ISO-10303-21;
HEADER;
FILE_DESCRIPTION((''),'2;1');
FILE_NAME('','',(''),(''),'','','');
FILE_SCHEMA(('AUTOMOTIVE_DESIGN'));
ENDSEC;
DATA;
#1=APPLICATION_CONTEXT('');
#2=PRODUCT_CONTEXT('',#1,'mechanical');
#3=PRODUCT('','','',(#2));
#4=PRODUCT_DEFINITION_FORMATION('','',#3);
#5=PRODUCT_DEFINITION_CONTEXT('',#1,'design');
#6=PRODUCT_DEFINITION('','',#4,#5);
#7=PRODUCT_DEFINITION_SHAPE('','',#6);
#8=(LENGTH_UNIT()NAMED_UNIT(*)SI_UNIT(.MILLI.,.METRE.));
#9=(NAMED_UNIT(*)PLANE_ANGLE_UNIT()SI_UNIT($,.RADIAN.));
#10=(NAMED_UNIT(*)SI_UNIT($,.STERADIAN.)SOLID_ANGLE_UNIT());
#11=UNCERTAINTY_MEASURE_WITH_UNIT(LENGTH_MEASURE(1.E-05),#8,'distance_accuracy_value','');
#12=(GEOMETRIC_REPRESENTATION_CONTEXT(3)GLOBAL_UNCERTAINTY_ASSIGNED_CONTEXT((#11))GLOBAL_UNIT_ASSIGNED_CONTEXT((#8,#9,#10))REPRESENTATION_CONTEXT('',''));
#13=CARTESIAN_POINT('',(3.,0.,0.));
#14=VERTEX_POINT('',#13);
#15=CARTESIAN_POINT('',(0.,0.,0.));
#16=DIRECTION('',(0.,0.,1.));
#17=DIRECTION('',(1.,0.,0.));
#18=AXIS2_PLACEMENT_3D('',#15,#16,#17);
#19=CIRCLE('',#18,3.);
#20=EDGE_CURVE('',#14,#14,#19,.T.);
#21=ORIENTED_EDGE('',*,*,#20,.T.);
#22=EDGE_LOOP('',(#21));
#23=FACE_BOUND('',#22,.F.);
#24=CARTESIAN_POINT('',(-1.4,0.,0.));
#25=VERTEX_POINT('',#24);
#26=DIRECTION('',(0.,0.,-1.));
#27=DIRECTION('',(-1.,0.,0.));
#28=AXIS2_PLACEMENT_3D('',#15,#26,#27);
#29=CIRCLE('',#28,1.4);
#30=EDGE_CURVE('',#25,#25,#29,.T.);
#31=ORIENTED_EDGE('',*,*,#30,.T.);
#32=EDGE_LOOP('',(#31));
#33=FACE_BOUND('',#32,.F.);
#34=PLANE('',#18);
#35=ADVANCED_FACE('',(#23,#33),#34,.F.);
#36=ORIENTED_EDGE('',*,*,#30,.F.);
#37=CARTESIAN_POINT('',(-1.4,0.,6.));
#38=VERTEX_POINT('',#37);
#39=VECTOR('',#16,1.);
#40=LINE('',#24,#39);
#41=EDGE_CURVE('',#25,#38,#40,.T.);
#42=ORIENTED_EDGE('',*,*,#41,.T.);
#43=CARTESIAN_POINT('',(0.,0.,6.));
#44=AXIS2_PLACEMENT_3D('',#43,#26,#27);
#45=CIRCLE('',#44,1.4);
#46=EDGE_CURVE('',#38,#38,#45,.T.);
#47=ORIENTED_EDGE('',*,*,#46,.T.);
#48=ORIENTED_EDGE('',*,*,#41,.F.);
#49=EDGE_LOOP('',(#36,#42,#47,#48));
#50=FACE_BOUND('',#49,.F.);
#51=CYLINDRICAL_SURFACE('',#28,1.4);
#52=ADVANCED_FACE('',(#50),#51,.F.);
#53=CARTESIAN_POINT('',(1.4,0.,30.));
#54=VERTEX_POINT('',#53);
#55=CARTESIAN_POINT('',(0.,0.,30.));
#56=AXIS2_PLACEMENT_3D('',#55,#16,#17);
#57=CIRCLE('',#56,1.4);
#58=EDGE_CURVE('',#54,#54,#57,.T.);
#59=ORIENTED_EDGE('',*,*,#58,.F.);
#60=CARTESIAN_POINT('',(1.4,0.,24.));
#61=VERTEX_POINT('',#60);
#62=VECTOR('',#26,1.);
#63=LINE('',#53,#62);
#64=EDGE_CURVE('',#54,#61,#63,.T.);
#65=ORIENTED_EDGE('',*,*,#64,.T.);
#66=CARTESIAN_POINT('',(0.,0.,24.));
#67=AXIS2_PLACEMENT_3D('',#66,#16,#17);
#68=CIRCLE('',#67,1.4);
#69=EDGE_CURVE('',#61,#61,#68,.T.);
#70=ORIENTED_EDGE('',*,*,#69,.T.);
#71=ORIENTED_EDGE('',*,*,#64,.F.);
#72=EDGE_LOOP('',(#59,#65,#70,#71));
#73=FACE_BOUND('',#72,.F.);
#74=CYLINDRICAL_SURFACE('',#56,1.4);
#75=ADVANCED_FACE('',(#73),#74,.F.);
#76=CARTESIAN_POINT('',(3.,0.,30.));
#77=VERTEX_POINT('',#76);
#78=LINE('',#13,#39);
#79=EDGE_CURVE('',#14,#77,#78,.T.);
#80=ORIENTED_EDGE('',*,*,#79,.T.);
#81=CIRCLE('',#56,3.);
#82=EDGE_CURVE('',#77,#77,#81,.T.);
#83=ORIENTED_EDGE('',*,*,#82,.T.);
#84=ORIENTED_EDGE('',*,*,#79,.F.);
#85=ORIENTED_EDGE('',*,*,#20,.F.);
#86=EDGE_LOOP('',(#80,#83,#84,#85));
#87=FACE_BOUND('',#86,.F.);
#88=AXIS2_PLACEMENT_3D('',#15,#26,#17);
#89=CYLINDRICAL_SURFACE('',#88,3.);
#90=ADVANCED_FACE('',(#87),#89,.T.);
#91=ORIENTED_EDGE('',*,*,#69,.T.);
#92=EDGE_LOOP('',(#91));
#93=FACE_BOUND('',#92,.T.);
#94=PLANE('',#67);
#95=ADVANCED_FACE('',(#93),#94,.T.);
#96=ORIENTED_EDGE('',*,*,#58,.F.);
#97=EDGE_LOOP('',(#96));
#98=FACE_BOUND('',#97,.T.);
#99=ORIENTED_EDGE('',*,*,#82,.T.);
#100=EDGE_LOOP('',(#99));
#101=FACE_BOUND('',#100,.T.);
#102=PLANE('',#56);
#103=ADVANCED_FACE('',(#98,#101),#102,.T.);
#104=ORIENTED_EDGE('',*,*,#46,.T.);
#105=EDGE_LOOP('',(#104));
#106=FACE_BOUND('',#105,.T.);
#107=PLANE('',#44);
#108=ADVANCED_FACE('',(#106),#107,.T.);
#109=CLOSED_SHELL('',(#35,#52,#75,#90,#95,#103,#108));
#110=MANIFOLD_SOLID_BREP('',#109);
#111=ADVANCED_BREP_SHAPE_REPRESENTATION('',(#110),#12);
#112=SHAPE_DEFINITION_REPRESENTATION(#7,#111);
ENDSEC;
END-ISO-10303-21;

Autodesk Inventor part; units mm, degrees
ref_plane "YZ Plane" through (0, 0, 0) normal (1, 0, 0) x (0, 1, 0)
ref_plane "XZ Plane" through (0, 0, 0) normal (0, 1, 0) x (-1, 0, 0)
ref_plane "XY Plane" through (0, 0, 0) normal (0, 0, 1) x (1, 0, 0)
sketch "スケッチ1" plane through (0, 0, 0) normal (0, 0, 1) x (1, 0, 0)
  circle A0 centre (0, 0) radius 3
  dimension "d0" = 6
extrude "押し出し1" add sketch "スケッチ1" along normal blind 30
sketch "スケッチ2" plane through (0, 0, 30) normal (0, 0, 1) x (1, 0, 0)
  circle A0 centre (0, 0) radius 1.4
  dimension "d3" = 2.8
extrude "押し出し2" cut sketch "スケッチ2" against normal blind 6
sketch "スケッチ3" plane through (0, 0, 0) normal (0, 0, -1) x (-1, 0, 0)
  circle A0 centre (0, 0) radius 1.4 projected
  circle A1 centre (0, 0) radius 1.4
extrude "押し出し3" cut sketch "スケッチ3" against normal blind 6
properties part number "34mm" material "アルミニウム 6061"
